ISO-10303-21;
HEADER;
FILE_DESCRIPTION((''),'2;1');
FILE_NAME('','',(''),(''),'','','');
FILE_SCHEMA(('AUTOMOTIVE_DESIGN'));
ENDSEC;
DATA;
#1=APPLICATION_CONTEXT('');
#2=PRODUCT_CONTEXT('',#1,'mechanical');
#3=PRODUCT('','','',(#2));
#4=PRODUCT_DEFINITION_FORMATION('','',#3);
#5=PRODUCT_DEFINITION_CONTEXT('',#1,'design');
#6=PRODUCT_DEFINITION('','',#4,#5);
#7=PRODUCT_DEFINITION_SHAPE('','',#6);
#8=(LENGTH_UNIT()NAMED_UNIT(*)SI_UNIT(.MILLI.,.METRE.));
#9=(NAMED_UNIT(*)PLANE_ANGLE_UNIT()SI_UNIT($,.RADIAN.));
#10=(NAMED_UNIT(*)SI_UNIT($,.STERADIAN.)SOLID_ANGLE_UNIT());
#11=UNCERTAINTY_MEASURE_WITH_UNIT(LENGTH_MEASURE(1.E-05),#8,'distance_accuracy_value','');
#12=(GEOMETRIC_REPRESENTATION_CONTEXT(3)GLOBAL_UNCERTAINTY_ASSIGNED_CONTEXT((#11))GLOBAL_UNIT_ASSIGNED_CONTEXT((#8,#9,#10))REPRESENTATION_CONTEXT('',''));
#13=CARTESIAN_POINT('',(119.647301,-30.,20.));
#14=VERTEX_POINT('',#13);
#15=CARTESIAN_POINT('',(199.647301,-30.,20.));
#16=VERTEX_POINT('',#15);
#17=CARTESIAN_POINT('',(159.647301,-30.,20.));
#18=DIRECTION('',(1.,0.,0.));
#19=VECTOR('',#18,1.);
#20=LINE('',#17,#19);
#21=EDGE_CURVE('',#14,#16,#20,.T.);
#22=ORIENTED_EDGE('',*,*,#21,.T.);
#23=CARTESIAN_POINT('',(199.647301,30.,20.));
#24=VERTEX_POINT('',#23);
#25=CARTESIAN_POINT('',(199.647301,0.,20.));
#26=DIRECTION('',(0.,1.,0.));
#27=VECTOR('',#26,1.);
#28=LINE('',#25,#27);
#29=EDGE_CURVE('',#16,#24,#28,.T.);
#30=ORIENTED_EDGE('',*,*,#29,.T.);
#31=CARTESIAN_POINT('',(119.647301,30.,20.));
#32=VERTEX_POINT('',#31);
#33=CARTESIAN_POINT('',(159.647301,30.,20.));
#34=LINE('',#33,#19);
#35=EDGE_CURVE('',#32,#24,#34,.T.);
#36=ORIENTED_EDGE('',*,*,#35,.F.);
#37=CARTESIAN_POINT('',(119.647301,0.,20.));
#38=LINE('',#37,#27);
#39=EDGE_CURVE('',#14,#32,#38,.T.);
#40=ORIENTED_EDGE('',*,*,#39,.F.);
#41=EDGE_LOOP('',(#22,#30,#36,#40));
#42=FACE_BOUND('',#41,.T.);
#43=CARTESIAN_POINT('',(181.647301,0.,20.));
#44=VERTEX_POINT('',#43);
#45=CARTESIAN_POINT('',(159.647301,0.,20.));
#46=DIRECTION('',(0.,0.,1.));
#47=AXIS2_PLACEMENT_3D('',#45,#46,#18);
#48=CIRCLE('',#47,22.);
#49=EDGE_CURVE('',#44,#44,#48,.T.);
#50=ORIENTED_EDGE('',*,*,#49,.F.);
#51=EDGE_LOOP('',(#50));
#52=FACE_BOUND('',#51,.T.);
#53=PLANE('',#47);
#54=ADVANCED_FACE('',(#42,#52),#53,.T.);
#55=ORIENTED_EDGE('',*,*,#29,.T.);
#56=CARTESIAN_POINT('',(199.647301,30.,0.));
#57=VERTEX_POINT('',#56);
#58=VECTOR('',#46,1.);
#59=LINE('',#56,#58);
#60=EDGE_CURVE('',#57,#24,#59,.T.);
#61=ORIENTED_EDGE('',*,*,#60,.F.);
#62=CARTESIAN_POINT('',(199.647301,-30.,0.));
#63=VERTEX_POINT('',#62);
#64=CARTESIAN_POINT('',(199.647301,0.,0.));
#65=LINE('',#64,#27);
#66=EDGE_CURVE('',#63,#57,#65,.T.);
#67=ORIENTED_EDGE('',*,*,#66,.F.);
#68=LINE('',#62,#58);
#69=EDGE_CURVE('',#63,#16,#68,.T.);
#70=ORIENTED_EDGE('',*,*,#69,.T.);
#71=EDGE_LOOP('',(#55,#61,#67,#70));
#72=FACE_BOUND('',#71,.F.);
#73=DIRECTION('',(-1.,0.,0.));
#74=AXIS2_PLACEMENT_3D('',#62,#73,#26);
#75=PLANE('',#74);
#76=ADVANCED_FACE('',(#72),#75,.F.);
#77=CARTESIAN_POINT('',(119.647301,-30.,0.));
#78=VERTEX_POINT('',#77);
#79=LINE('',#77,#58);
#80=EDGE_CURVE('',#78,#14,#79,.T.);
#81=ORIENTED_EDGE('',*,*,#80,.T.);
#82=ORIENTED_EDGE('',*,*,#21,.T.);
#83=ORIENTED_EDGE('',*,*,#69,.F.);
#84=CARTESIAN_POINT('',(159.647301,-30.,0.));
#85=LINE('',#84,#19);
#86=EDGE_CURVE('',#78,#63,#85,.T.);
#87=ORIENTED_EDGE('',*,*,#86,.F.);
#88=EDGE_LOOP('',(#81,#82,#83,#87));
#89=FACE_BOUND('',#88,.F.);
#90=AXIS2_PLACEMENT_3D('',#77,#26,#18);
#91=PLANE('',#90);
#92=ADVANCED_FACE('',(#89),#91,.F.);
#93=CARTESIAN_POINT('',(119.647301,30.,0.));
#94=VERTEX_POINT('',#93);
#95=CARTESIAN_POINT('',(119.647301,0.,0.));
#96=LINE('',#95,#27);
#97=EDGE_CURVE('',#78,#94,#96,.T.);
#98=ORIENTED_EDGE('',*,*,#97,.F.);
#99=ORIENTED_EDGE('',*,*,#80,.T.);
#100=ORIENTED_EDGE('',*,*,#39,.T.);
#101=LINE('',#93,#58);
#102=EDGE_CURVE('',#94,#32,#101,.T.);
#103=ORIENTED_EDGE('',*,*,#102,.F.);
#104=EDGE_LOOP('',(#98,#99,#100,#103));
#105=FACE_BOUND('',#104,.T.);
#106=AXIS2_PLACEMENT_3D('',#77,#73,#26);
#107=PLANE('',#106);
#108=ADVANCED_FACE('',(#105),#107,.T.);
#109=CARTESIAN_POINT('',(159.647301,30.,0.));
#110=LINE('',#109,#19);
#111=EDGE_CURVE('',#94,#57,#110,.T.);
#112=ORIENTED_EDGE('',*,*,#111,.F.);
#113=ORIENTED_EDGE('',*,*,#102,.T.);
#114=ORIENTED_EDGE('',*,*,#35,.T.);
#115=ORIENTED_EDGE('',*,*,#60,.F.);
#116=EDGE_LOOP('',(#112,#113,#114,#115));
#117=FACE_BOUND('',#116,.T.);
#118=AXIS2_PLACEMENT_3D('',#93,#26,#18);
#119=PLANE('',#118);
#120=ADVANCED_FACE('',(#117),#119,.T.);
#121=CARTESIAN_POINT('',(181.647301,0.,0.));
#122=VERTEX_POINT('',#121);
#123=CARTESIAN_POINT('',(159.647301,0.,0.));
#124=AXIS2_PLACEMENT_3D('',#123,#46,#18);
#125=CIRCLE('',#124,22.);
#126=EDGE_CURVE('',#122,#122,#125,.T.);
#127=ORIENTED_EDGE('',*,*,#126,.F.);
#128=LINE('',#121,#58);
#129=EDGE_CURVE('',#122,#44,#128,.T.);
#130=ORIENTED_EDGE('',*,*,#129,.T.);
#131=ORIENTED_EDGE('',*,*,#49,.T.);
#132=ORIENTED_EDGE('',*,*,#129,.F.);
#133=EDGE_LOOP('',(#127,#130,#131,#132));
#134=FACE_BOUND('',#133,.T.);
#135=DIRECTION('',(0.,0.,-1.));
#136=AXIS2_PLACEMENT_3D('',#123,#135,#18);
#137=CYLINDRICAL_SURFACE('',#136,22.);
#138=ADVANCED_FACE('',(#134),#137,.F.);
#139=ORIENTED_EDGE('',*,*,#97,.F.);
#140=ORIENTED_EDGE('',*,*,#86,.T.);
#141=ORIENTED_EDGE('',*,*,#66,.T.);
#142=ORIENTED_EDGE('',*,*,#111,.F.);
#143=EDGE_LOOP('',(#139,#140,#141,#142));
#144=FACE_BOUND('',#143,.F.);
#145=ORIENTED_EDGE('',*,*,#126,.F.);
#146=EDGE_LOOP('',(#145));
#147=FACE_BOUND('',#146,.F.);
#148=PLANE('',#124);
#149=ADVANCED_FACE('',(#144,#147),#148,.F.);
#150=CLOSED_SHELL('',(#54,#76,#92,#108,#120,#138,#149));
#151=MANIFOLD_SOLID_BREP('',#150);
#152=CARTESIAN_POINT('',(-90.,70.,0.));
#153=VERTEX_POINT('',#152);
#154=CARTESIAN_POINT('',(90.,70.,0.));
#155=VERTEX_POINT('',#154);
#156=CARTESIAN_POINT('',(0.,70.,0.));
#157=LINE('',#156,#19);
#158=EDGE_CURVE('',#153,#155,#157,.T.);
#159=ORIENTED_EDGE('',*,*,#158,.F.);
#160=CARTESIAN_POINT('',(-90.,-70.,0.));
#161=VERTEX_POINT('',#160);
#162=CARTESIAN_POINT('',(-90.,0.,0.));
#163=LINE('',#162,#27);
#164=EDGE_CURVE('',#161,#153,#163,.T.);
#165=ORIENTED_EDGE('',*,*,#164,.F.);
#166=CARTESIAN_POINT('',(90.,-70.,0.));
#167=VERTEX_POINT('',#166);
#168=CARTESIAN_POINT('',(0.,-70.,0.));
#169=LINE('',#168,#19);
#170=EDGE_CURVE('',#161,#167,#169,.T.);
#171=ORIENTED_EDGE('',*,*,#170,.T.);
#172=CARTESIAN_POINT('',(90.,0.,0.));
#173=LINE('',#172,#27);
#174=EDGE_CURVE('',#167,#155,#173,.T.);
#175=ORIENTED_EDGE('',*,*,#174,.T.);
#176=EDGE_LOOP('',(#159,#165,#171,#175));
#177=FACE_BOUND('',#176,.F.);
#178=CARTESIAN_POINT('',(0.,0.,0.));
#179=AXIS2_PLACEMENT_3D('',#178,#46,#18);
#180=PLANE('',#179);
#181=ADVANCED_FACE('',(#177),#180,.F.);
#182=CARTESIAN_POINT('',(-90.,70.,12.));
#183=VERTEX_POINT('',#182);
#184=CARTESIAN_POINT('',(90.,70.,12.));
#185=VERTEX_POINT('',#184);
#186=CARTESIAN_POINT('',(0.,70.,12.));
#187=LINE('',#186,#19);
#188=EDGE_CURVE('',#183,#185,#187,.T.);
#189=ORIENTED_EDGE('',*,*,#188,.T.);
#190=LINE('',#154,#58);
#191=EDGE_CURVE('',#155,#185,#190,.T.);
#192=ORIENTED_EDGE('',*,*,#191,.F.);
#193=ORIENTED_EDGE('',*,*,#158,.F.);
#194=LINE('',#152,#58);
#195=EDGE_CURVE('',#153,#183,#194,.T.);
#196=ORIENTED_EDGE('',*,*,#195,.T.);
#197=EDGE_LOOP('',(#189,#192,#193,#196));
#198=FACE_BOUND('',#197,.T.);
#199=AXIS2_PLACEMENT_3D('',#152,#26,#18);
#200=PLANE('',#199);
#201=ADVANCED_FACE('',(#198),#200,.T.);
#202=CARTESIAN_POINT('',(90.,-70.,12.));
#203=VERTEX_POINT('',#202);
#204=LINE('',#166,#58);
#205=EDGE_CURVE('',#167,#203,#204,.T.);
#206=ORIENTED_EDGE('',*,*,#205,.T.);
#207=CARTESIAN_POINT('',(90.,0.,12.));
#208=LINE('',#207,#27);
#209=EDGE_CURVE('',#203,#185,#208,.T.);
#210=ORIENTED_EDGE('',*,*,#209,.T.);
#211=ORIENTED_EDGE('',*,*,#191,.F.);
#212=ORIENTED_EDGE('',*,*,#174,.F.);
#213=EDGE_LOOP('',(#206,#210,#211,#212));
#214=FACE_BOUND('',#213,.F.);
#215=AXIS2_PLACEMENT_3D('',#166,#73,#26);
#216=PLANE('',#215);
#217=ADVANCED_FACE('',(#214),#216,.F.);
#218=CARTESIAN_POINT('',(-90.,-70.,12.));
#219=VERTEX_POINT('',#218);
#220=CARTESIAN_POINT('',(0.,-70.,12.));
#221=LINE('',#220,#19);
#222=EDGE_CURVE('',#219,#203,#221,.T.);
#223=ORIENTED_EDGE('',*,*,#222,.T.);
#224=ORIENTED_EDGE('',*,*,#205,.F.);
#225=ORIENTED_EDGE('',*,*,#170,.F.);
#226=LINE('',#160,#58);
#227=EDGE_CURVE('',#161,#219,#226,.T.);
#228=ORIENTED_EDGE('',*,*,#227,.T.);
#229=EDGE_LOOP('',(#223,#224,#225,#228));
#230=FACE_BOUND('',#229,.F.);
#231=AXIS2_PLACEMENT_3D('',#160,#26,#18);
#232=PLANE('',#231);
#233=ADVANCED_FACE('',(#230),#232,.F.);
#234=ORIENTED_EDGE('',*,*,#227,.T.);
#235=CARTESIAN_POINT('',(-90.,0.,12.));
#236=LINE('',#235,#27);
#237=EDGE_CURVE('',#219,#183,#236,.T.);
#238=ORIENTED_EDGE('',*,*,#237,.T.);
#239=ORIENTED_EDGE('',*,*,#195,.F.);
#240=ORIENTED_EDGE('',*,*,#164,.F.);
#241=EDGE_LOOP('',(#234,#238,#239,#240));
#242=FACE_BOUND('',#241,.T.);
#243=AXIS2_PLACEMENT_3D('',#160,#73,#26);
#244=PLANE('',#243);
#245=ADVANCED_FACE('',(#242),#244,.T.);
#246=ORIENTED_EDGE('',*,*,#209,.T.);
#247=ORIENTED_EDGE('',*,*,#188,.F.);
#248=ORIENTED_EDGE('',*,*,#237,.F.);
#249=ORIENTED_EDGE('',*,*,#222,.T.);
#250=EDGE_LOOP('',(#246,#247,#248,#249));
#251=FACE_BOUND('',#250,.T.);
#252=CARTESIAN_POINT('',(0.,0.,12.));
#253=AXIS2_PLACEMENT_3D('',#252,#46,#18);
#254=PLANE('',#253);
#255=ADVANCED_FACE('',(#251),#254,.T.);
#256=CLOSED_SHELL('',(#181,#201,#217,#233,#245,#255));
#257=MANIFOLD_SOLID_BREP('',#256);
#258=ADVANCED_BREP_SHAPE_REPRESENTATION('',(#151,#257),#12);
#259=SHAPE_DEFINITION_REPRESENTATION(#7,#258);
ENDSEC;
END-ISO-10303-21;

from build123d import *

# Parameters (mm, degrees)
F0_W     = 180
F0_H     = 140
F1_DEPTH = 12
F2_W     = 80
F2_H     = 60
F2_R     = 22
F3_DEPTH = 20


with BuildPart() as f1:
    # F0 (on Top) → F1 (new body)
    with BuildSketch(Plane.XY):
        Rectangle(F0_W, F0_H)
    extrude(amount=F1_DEPTH)


with BuildPart() as f3:
    # F2 (on Top) → F3 (new body)
    with BuildSketch(Plane.XY):
        with Locations((159.647301, 0)):
            Rectangle(F2_W, F2_H)
        with Locations((159.647301, 0)):
            Circle(F2_R, mode=Mode.SUBTRACT)
    extrude(amount=F3_DEPTH)


solid = Compound([f1.part, f3.part])
